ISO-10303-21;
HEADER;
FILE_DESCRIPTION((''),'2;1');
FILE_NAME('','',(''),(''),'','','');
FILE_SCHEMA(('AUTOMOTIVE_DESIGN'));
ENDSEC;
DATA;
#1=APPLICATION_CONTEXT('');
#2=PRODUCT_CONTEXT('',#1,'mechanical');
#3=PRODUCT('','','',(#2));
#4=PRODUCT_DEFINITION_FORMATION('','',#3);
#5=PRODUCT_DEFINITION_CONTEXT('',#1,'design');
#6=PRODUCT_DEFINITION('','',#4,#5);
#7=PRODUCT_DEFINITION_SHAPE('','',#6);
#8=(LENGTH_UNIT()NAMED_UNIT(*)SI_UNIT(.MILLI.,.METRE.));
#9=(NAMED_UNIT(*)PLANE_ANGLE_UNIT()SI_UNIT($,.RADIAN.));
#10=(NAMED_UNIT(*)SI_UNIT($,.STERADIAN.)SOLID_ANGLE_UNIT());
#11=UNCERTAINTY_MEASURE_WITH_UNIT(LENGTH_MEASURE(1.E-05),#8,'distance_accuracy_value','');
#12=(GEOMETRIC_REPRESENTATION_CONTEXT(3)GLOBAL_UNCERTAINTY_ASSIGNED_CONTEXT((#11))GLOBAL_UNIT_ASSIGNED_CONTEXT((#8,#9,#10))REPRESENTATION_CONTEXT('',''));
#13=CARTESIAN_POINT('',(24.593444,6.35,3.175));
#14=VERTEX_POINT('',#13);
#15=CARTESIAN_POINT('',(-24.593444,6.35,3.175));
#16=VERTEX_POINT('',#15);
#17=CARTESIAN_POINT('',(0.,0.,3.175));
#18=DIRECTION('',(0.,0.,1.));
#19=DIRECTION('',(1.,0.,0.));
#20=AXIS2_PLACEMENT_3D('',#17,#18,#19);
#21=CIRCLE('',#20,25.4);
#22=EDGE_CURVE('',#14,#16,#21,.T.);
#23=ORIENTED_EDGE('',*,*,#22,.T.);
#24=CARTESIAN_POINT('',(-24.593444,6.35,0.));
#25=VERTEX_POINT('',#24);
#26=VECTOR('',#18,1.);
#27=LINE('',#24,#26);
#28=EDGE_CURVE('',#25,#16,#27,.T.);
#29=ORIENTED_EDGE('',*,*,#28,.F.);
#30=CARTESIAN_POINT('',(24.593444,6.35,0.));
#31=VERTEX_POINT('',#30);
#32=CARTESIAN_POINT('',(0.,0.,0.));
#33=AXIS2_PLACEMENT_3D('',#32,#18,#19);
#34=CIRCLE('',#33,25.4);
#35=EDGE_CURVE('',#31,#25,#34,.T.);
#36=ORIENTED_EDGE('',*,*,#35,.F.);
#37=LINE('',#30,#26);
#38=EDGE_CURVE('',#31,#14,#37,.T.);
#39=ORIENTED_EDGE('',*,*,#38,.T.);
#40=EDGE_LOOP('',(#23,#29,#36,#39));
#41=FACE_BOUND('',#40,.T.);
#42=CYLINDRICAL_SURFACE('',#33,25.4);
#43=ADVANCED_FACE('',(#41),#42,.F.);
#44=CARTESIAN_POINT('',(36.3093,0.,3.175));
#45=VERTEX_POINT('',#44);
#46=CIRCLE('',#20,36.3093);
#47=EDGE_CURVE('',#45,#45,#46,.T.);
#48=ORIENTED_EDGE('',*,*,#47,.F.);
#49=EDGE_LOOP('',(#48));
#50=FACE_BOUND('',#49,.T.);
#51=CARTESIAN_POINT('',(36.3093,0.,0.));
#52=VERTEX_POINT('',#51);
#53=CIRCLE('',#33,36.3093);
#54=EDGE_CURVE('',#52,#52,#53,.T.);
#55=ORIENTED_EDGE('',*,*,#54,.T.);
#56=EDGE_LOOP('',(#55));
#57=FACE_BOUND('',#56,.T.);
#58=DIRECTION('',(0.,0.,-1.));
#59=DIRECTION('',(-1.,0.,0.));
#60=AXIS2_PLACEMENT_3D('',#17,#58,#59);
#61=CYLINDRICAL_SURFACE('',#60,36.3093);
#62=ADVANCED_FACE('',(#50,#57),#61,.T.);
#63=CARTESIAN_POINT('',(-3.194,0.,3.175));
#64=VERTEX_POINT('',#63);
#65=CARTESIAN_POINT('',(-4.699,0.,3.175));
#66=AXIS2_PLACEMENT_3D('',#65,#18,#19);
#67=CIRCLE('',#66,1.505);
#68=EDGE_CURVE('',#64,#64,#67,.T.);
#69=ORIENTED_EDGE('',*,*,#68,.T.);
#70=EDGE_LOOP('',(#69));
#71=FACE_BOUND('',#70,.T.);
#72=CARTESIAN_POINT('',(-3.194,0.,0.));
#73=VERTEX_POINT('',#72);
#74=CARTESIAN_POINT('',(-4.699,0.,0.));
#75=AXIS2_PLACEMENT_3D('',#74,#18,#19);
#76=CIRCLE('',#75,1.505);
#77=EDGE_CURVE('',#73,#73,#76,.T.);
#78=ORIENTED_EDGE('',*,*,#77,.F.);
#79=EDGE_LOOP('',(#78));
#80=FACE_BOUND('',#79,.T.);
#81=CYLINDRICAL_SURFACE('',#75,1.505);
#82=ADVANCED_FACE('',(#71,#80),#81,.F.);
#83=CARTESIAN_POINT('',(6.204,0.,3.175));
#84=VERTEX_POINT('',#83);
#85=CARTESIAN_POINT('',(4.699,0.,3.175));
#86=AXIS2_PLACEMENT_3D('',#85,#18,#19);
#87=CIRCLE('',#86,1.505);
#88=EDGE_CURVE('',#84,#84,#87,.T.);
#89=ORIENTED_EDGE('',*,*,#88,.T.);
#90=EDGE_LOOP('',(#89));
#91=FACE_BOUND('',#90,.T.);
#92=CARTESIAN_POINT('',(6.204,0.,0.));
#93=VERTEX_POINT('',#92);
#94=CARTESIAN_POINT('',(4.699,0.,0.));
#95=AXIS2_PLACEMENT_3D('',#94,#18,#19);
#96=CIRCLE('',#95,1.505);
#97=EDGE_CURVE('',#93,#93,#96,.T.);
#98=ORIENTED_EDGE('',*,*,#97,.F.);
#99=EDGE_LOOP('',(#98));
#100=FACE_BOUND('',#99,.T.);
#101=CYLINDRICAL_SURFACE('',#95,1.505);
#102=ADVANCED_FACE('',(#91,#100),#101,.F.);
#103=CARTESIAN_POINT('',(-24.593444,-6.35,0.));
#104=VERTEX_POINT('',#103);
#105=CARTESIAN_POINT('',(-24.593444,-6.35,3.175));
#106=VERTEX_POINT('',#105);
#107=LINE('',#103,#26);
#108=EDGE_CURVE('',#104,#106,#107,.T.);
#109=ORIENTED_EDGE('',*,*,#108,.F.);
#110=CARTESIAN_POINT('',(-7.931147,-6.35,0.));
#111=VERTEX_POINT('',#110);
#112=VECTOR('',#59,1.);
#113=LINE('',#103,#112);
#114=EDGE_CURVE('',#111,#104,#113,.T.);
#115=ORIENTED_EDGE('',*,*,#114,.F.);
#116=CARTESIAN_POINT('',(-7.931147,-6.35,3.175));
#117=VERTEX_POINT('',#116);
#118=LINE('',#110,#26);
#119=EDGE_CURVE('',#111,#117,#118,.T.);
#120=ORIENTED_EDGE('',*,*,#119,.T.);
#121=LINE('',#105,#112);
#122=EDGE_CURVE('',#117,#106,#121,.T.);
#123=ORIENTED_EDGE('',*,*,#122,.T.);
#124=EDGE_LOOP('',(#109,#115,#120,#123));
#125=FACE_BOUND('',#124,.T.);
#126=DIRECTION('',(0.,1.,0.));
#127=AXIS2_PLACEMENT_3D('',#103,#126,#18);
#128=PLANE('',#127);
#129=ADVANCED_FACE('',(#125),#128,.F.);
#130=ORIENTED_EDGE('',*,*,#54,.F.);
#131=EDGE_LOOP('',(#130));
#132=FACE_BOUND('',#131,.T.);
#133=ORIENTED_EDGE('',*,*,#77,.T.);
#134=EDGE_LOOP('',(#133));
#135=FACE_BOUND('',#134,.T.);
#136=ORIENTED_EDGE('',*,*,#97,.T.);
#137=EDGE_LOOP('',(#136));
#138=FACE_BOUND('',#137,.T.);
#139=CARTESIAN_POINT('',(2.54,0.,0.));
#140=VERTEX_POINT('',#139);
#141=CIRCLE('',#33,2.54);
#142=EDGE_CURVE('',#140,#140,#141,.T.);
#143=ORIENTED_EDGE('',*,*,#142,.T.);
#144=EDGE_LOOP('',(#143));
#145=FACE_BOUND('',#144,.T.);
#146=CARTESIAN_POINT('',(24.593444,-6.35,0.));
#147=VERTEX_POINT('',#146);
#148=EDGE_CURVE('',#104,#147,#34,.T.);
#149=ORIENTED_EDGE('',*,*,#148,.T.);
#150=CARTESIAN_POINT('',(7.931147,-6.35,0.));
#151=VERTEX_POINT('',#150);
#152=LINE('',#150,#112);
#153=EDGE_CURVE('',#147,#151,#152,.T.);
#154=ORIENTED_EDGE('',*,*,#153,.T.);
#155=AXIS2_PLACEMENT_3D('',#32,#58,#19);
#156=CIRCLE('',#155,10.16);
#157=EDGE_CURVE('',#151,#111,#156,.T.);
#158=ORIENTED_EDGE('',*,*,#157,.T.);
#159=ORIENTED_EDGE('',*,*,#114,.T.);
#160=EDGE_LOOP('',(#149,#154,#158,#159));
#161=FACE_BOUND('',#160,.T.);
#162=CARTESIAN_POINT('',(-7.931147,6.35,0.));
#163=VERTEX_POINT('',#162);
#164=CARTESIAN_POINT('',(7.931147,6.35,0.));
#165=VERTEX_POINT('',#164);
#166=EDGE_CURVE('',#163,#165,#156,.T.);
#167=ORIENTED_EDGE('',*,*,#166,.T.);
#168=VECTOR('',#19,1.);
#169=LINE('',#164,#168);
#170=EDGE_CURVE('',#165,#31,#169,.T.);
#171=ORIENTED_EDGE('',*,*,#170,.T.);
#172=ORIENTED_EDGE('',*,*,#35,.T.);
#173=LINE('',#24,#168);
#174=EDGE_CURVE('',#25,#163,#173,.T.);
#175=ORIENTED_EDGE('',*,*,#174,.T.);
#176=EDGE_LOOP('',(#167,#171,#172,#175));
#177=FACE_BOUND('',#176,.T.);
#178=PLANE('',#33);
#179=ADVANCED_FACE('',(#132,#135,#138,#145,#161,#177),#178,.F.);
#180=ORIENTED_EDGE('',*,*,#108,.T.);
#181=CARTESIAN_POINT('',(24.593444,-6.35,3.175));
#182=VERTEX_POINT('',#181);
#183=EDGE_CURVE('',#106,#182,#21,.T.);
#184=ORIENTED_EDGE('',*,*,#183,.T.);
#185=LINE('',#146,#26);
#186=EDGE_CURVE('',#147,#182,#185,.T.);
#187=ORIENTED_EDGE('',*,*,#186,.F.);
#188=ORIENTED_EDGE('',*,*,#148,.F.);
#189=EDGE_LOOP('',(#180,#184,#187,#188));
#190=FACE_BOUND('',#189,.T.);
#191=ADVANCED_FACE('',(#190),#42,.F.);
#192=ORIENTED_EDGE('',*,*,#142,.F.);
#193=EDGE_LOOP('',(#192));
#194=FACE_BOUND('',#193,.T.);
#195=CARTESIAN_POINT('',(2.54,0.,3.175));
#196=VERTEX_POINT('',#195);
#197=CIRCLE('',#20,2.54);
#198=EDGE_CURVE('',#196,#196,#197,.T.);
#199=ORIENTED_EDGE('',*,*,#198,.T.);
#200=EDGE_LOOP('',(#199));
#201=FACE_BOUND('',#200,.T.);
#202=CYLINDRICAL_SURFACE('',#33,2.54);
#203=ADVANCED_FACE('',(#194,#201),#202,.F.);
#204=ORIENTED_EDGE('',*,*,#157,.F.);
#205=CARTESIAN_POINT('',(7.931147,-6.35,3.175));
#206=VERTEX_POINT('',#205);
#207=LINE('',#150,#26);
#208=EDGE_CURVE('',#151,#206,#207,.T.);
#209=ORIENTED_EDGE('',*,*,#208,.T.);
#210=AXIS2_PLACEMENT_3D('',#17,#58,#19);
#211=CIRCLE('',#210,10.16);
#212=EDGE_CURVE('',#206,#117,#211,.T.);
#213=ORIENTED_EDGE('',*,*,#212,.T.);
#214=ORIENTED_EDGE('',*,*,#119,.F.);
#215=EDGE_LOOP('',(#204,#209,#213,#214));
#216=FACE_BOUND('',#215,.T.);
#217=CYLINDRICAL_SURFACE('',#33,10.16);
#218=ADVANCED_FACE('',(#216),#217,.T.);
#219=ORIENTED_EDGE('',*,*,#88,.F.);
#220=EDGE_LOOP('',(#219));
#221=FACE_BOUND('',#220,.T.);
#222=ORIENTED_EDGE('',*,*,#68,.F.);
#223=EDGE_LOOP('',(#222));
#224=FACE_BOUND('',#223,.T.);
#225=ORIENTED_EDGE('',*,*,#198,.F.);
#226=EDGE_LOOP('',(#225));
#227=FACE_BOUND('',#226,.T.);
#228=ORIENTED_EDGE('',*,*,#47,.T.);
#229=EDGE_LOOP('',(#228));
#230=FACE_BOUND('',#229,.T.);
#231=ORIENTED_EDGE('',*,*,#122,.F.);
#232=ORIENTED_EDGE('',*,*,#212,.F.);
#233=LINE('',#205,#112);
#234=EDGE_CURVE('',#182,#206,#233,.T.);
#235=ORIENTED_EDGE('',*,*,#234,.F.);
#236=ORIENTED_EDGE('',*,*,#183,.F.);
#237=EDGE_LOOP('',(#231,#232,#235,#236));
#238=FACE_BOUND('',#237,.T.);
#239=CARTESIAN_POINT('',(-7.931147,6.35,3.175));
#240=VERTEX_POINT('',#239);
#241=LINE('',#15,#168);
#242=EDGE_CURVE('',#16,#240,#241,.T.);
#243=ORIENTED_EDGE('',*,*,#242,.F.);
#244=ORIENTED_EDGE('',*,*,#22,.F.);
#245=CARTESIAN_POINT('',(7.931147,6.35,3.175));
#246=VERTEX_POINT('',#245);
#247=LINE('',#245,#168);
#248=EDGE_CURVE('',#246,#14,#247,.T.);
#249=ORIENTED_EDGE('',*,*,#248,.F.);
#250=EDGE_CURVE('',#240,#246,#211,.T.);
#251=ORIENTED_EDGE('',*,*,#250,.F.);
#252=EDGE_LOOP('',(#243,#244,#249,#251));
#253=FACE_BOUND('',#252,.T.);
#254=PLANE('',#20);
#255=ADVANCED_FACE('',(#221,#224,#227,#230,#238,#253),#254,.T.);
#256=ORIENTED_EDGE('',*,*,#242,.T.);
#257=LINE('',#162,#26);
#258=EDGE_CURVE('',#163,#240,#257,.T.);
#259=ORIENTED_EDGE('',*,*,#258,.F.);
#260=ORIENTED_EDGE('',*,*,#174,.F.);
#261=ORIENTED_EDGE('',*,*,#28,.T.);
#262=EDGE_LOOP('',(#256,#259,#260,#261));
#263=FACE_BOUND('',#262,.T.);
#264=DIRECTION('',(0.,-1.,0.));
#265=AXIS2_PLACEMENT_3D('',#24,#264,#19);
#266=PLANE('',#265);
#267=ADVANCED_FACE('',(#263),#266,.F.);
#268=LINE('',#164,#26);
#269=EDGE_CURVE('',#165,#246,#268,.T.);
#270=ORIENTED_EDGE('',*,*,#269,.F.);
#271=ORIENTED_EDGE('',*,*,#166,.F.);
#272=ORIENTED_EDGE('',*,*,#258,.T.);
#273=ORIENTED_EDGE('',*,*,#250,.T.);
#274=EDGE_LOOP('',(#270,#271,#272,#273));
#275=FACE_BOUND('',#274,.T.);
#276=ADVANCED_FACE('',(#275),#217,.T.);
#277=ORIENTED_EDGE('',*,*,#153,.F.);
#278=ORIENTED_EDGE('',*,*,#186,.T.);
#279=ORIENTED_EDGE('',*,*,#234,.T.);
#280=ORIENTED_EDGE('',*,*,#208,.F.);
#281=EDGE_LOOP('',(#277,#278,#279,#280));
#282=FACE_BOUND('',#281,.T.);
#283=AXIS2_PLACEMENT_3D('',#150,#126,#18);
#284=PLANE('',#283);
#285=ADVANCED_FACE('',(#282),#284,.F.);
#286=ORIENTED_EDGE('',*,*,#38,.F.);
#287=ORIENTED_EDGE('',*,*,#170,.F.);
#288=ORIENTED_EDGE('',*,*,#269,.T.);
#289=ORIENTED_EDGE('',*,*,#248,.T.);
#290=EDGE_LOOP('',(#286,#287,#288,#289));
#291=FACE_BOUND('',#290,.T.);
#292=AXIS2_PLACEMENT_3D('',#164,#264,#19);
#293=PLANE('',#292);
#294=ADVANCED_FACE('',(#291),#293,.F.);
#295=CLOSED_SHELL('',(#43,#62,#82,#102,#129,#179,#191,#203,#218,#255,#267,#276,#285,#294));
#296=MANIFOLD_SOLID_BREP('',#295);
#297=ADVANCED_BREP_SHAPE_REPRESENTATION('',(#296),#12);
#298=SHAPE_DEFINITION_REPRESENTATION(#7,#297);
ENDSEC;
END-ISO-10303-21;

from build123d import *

# Parameters (mm, degrees)
SKETCH1_R           = 36.3093
BOSS_EXTRUDE1_DEPTH = 3.175
CUT_EXTRUDE1_DEPTH  = 52.44716861
SKETCH3_R           = 1.505
SKETCH3_R_2         = 2.54
CUT_EXTRUDE2_DEPTH  = 52.44716861


with BuildPart() as part:
    # Sketch1 → Boss-Extrude1 (new body)
    with BuildSketch(Plane.XY):
        Circle(SKETCH1_R)
    extrude(amount=BOSS_EXTRUDE1_DEPTH)

    # Sketch2 → Cut-Extrude1 (cut, through all)
    with BuildSketch(Plane.XY.offset(3.175)):
        with BuildLine():
            Line((-24.593444248, -6.35), (-7.931147458, -6.35))
            ThreePointArc((-7.931147458, -6.35), (0, -10.16), (7.931147458, -6.35))
            Line((7.931147458, -6.35), (24.593444248, -6.35))
            ThreePointArc((24.593444248, -6.35), (0, -25.4), (-24.593444248, -6.35))
        make_face()
        with BuildLine():
            Line((7.931147458, 6.35), (24.593444248, 6.35))
            ThreePointArc((24.593444248, 6.35), (0, 25.4), (-24.593444248, 6.35))
            Line((-24.593444248, 6.35), (-7.931147458, 6.35))
            ThreePointArc((-7.931147458, 6.35), (0, 10.16), (7.931147458, 6.35))
        make_face()
    extrude(amount=-CUT_EXTRUDE1_DEPTH, mode=Mode.SUBTRACT)

    # Sketch3 → Cut-Extrude2 (cut, through all)
    with BuildSketch(Plane.XY.offset(3.175)):
        with Locations((-4.699, 0)):
            Circle(SKETCH3_R)
        with Locations((4.699, 0)):
            Circle(SKETCH3_R)
        Circle(SKETCH3_R_2)
    extrude(amount=-CUT_EXTRUDE2_DEPTH, mode=Mode.SUBTRACT)


solid = part.part
